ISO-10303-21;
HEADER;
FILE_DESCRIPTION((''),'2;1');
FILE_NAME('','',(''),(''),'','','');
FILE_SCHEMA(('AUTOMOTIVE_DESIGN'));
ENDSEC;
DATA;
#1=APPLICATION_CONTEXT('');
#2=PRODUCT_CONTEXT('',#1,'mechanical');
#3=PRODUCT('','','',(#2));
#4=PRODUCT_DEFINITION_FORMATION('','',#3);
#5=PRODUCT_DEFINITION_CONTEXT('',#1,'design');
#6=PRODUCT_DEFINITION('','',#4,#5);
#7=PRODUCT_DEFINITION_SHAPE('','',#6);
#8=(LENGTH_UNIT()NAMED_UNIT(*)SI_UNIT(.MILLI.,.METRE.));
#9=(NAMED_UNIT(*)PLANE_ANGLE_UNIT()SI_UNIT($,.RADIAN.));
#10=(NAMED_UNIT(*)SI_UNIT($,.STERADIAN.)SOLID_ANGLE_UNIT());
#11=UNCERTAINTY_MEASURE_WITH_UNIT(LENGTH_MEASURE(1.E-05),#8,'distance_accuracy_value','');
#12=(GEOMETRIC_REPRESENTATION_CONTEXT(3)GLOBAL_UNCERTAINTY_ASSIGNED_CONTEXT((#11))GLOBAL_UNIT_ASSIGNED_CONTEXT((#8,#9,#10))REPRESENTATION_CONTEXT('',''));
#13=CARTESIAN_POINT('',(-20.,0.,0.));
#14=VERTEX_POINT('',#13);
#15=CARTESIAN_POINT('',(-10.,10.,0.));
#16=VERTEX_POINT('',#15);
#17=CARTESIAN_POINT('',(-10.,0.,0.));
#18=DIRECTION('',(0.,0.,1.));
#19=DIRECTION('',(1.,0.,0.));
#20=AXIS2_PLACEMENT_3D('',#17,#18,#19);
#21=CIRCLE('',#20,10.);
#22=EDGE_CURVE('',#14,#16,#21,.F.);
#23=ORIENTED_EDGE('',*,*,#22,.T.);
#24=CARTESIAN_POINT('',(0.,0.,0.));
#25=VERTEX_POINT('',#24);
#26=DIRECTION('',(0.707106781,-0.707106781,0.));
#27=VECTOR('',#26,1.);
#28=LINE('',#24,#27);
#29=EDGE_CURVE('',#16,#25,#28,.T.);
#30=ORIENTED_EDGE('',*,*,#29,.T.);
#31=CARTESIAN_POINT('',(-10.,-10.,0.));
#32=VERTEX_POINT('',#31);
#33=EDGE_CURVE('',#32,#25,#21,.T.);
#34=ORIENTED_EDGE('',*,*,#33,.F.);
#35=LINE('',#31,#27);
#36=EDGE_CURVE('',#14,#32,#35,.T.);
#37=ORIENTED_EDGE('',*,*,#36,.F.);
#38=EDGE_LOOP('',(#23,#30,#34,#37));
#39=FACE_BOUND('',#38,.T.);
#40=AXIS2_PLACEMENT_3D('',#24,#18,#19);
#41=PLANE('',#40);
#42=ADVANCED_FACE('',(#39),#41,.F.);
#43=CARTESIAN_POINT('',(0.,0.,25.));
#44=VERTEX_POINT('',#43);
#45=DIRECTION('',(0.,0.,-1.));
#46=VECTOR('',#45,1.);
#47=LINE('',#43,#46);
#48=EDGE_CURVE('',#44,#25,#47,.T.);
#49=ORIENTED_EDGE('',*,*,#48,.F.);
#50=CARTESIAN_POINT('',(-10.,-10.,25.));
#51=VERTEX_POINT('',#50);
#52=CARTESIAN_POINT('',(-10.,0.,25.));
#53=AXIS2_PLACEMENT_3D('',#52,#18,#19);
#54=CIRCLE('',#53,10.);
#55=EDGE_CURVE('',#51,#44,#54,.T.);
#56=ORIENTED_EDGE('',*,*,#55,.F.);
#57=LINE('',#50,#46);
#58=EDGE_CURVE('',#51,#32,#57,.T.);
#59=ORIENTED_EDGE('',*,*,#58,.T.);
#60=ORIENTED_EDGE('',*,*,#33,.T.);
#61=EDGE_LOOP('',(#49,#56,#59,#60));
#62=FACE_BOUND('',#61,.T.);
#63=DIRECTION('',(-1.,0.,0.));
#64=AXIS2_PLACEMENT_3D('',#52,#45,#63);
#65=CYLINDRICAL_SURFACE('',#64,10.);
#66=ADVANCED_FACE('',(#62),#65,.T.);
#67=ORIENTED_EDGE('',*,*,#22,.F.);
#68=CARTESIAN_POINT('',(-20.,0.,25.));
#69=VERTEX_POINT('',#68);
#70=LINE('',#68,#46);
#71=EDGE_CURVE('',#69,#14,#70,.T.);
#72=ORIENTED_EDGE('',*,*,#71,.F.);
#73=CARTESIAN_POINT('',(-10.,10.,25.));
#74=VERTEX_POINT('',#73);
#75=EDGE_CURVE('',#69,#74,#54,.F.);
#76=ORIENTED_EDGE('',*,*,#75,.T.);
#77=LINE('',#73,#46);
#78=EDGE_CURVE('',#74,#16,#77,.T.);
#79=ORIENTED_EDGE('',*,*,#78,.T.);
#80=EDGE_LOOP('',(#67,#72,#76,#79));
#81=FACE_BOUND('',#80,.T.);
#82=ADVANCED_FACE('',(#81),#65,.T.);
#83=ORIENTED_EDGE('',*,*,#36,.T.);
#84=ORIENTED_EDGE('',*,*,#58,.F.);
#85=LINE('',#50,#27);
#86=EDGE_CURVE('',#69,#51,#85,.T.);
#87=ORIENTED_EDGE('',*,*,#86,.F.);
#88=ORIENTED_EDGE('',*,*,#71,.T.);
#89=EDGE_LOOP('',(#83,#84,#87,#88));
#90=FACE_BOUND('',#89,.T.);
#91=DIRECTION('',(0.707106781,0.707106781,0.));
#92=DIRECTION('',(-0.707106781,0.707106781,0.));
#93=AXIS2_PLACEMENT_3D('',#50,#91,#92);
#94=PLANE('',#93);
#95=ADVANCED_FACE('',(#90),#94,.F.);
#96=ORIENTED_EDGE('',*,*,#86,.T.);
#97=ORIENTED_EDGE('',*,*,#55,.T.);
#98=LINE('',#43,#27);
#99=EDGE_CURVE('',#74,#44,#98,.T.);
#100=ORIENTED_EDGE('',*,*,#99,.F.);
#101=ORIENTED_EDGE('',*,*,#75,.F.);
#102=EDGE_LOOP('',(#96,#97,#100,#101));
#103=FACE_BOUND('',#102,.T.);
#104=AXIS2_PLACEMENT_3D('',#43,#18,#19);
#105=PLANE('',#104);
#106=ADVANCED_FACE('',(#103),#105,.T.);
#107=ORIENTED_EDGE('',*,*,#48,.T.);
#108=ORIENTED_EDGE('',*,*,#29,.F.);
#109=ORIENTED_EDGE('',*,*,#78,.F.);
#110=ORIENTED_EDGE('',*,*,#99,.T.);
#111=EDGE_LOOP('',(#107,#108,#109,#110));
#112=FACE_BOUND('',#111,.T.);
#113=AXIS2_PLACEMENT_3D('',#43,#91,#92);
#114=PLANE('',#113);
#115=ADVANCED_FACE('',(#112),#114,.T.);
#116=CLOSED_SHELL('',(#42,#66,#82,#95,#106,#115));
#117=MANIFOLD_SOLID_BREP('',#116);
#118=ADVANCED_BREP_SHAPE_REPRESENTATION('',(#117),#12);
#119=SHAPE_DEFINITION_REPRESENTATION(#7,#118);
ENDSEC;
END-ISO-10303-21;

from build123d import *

# Parameters (mm, degrees)
BOSS_EXTRUDE1_DEPTH = 25


with BuildPart() as part:
    # Sketch1 → Boss-Extrude1 (new body)
    with BuildSketch(Plane.XY):
        with BuildLine():
            Line((-20, 0), (-10, -10))
            ThreePointArc((-10, -10), (-2.928932188, -7.071067812), (0, 0))
            Line((0, 0), (-10, 10))
            ThreePointArc((-10, 10), (-17.071067812, 7.071067812), (-20, 0))
        make_face()
    extrude(amount=BOSS_EXTRUDE1_DEPTH)


solid = part.part
